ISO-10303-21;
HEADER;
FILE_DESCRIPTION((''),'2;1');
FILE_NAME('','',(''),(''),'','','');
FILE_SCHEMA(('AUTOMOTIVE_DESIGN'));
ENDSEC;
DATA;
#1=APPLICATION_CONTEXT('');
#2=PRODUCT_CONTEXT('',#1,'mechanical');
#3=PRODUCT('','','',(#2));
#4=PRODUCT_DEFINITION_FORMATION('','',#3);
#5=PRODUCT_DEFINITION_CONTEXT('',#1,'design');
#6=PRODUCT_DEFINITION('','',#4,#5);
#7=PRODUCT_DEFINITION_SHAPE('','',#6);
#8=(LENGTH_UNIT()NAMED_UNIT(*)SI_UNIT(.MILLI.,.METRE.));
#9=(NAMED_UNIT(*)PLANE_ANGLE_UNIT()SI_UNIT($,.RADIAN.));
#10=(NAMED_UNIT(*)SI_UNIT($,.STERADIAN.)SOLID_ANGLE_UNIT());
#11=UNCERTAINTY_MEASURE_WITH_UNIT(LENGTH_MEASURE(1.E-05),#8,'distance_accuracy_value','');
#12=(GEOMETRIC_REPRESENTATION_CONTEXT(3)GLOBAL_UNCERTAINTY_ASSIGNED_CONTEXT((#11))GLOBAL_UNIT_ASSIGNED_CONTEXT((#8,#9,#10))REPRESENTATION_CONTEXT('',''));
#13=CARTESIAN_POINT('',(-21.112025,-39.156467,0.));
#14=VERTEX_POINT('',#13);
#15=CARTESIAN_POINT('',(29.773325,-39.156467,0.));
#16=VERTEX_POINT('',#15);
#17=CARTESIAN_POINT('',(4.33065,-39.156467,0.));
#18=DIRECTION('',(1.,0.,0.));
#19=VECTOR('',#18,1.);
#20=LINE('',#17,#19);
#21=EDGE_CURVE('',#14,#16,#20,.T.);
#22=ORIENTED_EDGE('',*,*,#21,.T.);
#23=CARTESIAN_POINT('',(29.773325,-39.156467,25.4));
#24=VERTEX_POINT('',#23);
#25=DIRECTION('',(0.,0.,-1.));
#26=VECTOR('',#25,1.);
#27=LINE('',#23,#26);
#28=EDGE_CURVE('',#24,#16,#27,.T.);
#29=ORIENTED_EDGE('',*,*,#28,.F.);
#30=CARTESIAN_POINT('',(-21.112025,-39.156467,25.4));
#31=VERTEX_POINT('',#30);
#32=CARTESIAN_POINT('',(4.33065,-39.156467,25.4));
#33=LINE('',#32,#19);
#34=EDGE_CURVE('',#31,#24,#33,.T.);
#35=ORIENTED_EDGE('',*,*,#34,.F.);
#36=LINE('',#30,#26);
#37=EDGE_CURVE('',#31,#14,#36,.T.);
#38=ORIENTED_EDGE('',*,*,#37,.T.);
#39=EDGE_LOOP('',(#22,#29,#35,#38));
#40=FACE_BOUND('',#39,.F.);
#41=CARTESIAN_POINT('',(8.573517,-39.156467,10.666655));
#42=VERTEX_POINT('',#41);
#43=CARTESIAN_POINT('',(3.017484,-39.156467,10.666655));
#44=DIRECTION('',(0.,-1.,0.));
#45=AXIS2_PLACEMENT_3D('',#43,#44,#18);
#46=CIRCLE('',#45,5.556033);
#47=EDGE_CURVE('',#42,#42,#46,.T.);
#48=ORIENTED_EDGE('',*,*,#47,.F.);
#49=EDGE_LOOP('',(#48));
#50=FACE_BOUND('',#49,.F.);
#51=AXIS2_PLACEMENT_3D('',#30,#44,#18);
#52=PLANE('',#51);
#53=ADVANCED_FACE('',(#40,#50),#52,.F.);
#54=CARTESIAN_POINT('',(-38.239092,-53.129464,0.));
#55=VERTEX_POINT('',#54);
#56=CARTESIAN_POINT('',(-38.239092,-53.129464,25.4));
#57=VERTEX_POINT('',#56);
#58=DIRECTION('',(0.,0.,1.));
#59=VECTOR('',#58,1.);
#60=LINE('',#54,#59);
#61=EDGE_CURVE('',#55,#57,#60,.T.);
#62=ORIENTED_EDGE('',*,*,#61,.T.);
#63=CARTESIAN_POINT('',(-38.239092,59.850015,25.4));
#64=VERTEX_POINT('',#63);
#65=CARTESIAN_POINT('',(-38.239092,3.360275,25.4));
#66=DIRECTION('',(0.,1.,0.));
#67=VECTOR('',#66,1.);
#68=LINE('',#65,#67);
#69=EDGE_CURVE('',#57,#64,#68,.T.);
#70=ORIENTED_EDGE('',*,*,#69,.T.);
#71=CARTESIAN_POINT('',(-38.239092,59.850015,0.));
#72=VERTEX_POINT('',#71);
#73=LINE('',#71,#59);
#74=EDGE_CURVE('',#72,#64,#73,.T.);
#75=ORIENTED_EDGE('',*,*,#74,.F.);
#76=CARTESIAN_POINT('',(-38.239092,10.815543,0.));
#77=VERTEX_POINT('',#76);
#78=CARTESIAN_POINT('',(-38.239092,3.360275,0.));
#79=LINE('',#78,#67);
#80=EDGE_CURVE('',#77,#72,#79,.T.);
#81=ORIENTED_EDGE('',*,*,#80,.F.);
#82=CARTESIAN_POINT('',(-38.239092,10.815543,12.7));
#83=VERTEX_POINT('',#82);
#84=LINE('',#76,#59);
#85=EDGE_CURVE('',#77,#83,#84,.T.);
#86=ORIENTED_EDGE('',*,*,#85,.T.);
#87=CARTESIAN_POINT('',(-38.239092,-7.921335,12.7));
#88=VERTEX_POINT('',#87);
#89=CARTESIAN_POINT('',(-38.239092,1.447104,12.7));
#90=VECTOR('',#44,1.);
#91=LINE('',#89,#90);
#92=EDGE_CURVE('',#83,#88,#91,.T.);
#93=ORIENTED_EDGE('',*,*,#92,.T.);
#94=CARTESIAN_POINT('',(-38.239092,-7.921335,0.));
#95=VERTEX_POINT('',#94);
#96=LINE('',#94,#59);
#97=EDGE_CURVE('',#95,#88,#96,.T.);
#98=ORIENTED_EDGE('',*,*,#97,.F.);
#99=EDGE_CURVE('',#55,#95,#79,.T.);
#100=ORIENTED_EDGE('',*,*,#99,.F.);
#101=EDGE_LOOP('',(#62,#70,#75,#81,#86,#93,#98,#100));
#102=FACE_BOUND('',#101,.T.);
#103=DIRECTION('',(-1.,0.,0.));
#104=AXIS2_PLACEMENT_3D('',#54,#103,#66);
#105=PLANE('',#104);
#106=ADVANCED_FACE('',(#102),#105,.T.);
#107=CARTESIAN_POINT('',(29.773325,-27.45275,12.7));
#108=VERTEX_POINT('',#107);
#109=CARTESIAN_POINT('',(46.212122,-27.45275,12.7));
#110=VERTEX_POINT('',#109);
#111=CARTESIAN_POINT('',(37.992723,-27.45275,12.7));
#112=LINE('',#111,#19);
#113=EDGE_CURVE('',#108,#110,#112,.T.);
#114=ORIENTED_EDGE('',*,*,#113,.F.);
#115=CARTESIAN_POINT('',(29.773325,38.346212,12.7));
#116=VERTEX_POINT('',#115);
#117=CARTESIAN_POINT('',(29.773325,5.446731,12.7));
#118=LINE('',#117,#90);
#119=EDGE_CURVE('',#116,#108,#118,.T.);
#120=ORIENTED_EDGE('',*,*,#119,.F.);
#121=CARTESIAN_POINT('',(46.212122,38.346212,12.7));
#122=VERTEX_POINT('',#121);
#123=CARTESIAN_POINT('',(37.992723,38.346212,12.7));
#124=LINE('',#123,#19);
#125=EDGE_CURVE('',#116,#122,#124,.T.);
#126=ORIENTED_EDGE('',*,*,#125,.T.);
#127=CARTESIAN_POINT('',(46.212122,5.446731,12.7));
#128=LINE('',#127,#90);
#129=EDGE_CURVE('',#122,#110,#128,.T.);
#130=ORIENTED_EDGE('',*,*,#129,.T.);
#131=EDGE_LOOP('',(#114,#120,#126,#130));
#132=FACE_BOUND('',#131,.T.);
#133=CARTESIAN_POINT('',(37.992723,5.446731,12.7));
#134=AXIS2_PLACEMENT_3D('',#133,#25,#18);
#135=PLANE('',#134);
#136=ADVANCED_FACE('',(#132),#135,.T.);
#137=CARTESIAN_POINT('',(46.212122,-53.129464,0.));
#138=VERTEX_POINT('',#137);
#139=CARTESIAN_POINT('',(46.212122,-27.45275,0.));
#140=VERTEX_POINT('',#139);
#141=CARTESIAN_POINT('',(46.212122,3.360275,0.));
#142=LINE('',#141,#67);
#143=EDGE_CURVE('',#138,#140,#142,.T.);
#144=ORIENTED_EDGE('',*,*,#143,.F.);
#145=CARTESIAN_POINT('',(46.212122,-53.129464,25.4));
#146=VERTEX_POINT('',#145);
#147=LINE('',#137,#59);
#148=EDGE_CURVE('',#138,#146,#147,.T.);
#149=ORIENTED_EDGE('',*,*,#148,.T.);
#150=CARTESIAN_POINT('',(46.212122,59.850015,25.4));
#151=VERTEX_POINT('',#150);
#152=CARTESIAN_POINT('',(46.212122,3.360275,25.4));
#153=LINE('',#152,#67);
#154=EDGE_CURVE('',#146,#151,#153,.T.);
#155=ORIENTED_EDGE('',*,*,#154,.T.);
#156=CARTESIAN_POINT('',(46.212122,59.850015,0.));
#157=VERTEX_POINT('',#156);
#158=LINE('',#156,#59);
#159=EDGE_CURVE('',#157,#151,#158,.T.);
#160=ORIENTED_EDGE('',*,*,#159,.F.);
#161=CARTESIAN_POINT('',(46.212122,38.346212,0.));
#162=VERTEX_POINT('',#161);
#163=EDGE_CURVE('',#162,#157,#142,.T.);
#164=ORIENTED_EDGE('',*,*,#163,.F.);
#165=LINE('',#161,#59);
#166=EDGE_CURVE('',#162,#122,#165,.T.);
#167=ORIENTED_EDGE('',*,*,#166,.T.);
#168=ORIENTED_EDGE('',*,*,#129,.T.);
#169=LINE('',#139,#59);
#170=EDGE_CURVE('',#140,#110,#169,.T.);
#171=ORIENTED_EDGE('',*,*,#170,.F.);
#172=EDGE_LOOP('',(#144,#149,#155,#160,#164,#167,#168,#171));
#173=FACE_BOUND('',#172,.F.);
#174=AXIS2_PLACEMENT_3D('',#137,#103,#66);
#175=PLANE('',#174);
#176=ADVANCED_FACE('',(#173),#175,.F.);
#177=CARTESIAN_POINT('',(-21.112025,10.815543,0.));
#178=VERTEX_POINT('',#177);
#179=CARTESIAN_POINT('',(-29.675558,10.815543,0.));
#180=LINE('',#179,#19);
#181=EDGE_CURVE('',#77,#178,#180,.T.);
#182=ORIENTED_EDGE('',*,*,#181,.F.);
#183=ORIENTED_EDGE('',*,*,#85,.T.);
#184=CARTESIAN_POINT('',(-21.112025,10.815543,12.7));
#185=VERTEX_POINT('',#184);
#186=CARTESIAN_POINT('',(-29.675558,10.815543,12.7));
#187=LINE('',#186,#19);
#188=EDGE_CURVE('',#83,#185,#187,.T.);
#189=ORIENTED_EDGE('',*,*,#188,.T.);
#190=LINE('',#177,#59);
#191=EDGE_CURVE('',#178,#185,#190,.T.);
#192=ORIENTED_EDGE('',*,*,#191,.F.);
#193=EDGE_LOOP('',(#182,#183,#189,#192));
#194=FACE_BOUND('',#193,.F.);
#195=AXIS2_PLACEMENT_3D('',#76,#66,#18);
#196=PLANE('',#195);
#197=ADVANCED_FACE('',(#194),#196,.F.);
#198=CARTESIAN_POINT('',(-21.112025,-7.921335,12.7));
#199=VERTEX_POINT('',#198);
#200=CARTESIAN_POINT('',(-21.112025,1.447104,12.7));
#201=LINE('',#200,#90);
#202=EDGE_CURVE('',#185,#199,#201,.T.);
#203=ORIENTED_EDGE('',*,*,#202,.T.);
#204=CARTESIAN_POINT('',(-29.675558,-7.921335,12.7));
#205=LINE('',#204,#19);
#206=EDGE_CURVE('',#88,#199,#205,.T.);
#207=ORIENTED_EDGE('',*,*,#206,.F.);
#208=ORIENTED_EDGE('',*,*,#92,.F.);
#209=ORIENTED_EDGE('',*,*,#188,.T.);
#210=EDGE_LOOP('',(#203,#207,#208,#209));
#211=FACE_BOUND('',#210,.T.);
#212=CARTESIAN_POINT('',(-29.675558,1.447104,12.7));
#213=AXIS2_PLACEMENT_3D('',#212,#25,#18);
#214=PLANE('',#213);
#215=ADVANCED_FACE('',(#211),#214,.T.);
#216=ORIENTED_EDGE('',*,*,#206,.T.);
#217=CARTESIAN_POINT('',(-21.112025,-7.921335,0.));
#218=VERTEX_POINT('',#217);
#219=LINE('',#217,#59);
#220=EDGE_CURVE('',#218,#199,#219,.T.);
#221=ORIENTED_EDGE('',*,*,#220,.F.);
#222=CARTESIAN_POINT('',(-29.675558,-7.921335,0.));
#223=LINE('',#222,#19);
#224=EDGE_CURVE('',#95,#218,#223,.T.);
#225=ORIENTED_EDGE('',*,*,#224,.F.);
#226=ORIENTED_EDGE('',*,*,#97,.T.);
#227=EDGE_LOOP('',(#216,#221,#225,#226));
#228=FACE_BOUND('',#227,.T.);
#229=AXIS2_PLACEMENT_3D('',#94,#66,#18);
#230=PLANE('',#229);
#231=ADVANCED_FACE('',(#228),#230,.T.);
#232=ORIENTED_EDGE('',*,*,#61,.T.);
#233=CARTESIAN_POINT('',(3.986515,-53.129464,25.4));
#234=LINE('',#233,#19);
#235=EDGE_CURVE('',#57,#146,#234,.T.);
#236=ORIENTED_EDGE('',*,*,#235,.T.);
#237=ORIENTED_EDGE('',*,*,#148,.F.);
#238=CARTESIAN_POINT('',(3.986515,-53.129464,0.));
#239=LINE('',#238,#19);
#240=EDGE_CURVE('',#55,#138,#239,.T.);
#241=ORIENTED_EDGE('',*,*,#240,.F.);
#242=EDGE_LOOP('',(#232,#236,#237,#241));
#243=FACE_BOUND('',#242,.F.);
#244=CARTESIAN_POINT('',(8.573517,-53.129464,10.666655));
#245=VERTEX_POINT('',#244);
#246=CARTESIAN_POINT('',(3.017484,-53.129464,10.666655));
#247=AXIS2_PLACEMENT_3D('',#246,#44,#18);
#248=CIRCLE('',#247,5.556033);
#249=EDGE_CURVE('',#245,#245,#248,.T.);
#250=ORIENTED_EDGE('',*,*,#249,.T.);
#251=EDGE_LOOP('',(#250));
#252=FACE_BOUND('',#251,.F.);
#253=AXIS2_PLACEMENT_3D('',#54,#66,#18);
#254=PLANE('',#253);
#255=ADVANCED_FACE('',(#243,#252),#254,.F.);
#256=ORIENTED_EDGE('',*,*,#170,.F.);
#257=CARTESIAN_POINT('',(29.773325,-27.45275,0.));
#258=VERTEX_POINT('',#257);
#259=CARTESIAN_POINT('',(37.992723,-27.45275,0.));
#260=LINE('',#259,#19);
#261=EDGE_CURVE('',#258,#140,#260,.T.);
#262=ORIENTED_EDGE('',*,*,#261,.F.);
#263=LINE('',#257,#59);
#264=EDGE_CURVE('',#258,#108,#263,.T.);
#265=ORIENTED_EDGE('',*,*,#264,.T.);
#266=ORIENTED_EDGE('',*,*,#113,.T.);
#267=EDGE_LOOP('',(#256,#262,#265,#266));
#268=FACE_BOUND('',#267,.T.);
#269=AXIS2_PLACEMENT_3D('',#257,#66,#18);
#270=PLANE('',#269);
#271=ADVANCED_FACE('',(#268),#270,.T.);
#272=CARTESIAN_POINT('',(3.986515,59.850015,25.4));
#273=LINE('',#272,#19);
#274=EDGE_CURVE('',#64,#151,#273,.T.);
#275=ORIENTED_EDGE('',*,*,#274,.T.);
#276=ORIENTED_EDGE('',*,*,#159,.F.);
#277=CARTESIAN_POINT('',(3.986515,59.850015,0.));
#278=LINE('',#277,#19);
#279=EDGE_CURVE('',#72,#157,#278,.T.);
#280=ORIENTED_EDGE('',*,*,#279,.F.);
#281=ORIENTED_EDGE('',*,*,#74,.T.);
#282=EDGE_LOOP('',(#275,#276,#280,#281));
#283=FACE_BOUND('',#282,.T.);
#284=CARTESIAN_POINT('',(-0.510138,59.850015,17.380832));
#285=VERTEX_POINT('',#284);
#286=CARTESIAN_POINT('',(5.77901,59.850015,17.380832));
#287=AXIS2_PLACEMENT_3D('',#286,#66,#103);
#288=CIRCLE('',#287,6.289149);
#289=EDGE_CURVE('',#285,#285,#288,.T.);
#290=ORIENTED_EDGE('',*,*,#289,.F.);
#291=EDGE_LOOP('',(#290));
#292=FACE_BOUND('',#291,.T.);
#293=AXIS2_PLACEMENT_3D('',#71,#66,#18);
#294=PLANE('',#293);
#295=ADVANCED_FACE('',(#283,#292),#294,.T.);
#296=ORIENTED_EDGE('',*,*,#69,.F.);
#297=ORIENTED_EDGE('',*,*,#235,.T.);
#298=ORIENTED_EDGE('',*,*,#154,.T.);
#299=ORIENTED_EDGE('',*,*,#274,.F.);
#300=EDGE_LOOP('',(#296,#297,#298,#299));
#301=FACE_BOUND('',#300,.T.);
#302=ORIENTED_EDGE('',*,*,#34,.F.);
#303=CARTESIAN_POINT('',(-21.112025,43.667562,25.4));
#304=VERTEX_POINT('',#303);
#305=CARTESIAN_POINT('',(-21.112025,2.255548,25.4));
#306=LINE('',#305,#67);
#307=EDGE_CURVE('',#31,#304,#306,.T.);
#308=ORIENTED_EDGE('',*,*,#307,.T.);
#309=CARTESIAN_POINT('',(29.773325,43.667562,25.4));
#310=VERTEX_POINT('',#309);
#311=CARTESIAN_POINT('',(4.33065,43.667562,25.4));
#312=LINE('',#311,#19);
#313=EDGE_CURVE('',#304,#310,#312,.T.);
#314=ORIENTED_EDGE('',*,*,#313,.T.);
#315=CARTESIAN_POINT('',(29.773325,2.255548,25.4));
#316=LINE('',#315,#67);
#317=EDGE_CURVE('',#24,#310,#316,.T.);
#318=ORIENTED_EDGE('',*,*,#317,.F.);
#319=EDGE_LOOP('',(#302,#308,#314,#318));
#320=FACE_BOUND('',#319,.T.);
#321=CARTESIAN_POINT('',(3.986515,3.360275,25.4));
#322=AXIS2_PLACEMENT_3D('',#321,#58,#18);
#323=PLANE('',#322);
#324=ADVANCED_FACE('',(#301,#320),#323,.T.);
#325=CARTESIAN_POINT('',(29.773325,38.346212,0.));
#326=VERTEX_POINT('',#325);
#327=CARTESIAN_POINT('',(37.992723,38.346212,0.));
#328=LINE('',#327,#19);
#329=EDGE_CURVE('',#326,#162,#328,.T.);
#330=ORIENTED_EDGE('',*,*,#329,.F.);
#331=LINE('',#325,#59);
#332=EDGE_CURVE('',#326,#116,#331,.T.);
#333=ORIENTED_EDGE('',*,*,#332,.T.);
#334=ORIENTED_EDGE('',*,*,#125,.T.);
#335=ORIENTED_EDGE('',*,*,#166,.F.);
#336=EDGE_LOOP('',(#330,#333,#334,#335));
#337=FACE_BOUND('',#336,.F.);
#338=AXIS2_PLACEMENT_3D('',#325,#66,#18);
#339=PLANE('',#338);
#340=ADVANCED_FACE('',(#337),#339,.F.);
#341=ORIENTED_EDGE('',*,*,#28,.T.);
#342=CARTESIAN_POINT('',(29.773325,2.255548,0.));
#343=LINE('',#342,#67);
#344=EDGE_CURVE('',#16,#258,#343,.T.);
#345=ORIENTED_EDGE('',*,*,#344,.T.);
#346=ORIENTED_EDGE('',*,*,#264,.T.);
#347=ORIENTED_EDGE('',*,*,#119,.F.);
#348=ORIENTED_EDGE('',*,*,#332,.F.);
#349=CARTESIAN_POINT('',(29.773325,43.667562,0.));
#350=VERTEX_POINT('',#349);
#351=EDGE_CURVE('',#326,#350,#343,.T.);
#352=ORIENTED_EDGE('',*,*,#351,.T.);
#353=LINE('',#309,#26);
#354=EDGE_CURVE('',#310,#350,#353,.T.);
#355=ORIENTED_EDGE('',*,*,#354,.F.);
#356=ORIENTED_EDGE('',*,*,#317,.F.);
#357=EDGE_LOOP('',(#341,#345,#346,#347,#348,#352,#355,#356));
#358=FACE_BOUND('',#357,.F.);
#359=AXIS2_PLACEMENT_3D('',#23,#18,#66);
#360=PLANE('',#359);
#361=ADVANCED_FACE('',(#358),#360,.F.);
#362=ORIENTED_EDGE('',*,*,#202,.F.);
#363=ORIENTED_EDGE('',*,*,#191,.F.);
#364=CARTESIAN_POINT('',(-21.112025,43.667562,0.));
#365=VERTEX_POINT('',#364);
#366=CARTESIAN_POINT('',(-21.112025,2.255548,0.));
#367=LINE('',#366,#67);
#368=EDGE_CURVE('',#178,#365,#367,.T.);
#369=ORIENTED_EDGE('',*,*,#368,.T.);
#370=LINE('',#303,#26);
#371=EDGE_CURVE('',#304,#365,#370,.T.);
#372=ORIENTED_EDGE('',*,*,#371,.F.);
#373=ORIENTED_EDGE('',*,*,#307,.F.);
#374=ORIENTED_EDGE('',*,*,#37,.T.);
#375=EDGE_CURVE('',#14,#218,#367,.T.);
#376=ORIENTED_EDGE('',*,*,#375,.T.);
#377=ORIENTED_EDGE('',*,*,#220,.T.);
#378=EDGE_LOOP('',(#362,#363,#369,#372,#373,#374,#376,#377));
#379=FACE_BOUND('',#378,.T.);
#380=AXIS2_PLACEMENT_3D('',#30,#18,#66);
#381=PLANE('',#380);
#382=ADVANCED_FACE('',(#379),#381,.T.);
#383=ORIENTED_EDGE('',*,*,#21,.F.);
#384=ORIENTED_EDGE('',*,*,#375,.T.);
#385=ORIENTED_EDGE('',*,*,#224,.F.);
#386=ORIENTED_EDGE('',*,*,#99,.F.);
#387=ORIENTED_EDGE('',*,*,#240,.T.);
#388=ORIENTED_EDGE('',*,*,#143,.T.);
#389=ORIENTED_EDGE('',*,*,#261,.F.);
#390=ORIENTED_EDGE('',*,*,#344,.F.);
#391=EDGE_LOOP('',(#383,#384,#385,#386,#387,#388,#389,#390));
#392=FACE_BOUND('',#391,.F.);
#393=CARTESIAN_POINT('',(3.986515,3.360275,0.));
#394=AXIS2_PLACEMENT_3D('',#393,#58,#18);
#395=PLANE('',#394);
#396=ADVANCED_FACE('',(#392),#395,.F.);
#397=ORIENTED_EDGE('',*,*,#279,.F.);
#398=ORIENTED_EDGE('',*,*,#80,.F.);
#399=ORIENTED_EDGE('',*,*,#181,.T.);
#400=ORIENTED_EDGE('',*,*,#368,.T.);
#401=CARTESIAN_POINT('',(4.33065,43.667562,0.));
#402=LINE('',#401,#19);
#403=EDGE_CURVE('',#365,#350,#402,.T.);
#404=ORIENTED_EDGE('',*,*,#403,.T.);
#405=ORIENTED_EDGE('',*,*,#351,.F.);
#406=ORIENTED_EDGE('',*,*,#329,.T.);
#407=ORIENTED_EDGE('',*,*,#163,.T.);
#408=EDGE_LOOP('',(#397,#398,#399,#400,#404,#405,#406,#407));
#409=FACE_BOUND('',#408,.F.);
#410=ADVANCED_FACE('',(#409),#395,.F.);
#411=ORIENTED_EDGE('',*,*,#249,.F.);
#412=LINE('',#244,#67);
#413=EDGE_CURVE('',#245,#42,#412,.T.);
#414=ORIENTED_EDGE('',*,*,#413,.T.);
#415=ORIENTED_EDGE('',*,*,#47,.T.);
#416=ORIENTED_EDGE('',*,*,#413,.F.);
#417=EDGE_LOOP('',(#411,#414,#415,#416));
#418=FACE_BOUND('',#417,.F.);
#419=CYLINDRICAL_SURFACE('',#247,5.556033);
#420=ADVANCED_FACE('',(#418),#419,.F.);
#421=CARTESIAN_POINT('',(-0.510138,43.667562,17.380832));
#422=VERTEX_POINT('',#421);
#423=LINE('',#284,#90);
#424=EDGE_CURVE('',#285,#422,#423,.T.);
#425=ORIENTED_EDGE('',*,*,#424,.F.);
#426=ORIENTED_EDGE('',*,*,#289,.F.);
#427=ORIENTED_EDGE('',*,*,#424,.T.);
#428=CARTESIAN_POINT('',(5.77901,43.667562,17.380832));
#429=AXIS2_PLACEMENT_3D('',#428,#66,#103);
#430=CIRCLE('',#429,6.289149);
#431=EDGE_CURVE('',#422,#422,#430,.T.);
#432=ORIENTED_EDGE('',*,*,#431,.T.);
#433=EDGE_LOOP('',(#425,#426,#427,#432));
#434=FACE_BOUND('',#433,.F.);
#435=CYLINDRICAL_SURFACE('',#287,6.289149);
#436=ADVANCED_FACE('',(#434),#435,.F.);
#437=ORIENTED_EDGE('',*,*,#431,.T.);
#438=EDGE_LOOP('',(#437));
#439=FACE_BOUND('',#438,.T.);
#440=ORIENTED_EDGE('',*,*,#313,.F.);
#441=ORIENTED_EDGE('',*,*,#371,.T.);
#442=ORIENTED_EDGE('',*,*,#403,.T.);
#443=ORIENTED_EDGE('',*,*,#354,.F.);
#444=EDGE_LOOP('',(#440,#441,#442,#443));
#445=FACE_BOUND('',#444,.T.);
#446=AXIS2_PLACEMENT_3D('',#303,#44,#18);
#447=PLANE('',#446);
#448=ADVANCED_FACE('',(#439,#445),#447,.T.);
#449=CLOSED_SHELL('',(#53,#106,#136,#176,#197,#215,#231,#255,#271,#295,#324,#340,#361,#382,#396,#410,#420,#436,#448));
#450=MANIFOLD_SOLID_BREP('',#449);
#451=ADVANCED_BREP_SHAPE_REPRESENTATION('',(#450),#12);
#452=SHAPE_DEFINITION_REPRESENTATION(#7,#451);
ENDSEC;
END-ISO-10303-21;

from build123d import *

# Parameters (mm, degrees)
F0_W      = 84.451213479
F0_H      = 112.9794791341
F1_DEPTH  = 25.4
F2_W      = 50.8853495121
F2_H      = 82.8240290284
F3_DEPTH  = 25.4
F4_R      = 6.2891485283
F5_DEPTH  = 25.4
F6_R      = 5.5560325186
F7_DEPTH  = 25.4
F8_W      = 17.1270668507
F8_H      = 18.73687841
F9_DEPTH  = 12.7
F10_W     = 16.4387971163
F10_H     = 65.7989624888
F11_DEPTH = 12.7


with BuildPart() as f1:
    # F0 (on Top) → F1 (new body)
    with BuildSketch(Plane.XY):
        with Locations((3.9865151048, 3.3602751791)):
            Rectangle(F0_W, F0_H)
    extrude(amount=F1_DEPTH)

    # F2 (on face) → F3 (cut)
    with BuildSketch(Plane.XY.offset(25.4)):
        with Locations((4.330649972, 2.2555477917)):
            Rectangle(F2_W, F2_H)
    extrude(amount=-F3_DEPTH, mode=Mode.SUBTRACT)

    # F4 (on face) → F5 (cut)
    with BuildSketch(Plane(origin=(0, 59.8500147462, 0), x_dir=(-1, 0, 0), z_dir=(0, 1, 0))):
        with Locations((-5.7790102437, 17.3808317631)):
            Circle(F4_R)
    extrude(amount=-F5_DEPTH, mode=Mode.SUBTRACT)

    # F6 (on face) → F7 (cut)
    with BuildSketch(Plane.XZ.offset(53.1294643879)):
        with Locations((3.0174842104, 10.6666553766)):
            Circle(F6_R)
    extrude(amount=-F7_DEPTH, mode=Mode.SUBTRACT)

    # F8 (on face) → F9 (cut)
    with BuildSketch(Plane(origin=(0, 0, 0), x_dir=(1, 0, 0), z_dir=(0, 0, -1))):
        with Locations((-29.6755582094, -1.4471039176)):
            Rectangle(F8_W, F8_H)
    extrude(amount=-F9_DEPTH, mode=Mode.SUBTRACT)

    # F10 (on face) → F11 (cut)
    with BuildSketch(Plane(origin=(0, 0, 0), x_dir=(1, 0, 0), z_dir=(0, 0, -1))):
        with Locations((37.9927232862, -5.4467311129)):
            Rectangle(F10_W, F10_H)
    extrude(amount=-F11_DEPTH, mode=Mode.SUBTRACT)


solid = f1.part
